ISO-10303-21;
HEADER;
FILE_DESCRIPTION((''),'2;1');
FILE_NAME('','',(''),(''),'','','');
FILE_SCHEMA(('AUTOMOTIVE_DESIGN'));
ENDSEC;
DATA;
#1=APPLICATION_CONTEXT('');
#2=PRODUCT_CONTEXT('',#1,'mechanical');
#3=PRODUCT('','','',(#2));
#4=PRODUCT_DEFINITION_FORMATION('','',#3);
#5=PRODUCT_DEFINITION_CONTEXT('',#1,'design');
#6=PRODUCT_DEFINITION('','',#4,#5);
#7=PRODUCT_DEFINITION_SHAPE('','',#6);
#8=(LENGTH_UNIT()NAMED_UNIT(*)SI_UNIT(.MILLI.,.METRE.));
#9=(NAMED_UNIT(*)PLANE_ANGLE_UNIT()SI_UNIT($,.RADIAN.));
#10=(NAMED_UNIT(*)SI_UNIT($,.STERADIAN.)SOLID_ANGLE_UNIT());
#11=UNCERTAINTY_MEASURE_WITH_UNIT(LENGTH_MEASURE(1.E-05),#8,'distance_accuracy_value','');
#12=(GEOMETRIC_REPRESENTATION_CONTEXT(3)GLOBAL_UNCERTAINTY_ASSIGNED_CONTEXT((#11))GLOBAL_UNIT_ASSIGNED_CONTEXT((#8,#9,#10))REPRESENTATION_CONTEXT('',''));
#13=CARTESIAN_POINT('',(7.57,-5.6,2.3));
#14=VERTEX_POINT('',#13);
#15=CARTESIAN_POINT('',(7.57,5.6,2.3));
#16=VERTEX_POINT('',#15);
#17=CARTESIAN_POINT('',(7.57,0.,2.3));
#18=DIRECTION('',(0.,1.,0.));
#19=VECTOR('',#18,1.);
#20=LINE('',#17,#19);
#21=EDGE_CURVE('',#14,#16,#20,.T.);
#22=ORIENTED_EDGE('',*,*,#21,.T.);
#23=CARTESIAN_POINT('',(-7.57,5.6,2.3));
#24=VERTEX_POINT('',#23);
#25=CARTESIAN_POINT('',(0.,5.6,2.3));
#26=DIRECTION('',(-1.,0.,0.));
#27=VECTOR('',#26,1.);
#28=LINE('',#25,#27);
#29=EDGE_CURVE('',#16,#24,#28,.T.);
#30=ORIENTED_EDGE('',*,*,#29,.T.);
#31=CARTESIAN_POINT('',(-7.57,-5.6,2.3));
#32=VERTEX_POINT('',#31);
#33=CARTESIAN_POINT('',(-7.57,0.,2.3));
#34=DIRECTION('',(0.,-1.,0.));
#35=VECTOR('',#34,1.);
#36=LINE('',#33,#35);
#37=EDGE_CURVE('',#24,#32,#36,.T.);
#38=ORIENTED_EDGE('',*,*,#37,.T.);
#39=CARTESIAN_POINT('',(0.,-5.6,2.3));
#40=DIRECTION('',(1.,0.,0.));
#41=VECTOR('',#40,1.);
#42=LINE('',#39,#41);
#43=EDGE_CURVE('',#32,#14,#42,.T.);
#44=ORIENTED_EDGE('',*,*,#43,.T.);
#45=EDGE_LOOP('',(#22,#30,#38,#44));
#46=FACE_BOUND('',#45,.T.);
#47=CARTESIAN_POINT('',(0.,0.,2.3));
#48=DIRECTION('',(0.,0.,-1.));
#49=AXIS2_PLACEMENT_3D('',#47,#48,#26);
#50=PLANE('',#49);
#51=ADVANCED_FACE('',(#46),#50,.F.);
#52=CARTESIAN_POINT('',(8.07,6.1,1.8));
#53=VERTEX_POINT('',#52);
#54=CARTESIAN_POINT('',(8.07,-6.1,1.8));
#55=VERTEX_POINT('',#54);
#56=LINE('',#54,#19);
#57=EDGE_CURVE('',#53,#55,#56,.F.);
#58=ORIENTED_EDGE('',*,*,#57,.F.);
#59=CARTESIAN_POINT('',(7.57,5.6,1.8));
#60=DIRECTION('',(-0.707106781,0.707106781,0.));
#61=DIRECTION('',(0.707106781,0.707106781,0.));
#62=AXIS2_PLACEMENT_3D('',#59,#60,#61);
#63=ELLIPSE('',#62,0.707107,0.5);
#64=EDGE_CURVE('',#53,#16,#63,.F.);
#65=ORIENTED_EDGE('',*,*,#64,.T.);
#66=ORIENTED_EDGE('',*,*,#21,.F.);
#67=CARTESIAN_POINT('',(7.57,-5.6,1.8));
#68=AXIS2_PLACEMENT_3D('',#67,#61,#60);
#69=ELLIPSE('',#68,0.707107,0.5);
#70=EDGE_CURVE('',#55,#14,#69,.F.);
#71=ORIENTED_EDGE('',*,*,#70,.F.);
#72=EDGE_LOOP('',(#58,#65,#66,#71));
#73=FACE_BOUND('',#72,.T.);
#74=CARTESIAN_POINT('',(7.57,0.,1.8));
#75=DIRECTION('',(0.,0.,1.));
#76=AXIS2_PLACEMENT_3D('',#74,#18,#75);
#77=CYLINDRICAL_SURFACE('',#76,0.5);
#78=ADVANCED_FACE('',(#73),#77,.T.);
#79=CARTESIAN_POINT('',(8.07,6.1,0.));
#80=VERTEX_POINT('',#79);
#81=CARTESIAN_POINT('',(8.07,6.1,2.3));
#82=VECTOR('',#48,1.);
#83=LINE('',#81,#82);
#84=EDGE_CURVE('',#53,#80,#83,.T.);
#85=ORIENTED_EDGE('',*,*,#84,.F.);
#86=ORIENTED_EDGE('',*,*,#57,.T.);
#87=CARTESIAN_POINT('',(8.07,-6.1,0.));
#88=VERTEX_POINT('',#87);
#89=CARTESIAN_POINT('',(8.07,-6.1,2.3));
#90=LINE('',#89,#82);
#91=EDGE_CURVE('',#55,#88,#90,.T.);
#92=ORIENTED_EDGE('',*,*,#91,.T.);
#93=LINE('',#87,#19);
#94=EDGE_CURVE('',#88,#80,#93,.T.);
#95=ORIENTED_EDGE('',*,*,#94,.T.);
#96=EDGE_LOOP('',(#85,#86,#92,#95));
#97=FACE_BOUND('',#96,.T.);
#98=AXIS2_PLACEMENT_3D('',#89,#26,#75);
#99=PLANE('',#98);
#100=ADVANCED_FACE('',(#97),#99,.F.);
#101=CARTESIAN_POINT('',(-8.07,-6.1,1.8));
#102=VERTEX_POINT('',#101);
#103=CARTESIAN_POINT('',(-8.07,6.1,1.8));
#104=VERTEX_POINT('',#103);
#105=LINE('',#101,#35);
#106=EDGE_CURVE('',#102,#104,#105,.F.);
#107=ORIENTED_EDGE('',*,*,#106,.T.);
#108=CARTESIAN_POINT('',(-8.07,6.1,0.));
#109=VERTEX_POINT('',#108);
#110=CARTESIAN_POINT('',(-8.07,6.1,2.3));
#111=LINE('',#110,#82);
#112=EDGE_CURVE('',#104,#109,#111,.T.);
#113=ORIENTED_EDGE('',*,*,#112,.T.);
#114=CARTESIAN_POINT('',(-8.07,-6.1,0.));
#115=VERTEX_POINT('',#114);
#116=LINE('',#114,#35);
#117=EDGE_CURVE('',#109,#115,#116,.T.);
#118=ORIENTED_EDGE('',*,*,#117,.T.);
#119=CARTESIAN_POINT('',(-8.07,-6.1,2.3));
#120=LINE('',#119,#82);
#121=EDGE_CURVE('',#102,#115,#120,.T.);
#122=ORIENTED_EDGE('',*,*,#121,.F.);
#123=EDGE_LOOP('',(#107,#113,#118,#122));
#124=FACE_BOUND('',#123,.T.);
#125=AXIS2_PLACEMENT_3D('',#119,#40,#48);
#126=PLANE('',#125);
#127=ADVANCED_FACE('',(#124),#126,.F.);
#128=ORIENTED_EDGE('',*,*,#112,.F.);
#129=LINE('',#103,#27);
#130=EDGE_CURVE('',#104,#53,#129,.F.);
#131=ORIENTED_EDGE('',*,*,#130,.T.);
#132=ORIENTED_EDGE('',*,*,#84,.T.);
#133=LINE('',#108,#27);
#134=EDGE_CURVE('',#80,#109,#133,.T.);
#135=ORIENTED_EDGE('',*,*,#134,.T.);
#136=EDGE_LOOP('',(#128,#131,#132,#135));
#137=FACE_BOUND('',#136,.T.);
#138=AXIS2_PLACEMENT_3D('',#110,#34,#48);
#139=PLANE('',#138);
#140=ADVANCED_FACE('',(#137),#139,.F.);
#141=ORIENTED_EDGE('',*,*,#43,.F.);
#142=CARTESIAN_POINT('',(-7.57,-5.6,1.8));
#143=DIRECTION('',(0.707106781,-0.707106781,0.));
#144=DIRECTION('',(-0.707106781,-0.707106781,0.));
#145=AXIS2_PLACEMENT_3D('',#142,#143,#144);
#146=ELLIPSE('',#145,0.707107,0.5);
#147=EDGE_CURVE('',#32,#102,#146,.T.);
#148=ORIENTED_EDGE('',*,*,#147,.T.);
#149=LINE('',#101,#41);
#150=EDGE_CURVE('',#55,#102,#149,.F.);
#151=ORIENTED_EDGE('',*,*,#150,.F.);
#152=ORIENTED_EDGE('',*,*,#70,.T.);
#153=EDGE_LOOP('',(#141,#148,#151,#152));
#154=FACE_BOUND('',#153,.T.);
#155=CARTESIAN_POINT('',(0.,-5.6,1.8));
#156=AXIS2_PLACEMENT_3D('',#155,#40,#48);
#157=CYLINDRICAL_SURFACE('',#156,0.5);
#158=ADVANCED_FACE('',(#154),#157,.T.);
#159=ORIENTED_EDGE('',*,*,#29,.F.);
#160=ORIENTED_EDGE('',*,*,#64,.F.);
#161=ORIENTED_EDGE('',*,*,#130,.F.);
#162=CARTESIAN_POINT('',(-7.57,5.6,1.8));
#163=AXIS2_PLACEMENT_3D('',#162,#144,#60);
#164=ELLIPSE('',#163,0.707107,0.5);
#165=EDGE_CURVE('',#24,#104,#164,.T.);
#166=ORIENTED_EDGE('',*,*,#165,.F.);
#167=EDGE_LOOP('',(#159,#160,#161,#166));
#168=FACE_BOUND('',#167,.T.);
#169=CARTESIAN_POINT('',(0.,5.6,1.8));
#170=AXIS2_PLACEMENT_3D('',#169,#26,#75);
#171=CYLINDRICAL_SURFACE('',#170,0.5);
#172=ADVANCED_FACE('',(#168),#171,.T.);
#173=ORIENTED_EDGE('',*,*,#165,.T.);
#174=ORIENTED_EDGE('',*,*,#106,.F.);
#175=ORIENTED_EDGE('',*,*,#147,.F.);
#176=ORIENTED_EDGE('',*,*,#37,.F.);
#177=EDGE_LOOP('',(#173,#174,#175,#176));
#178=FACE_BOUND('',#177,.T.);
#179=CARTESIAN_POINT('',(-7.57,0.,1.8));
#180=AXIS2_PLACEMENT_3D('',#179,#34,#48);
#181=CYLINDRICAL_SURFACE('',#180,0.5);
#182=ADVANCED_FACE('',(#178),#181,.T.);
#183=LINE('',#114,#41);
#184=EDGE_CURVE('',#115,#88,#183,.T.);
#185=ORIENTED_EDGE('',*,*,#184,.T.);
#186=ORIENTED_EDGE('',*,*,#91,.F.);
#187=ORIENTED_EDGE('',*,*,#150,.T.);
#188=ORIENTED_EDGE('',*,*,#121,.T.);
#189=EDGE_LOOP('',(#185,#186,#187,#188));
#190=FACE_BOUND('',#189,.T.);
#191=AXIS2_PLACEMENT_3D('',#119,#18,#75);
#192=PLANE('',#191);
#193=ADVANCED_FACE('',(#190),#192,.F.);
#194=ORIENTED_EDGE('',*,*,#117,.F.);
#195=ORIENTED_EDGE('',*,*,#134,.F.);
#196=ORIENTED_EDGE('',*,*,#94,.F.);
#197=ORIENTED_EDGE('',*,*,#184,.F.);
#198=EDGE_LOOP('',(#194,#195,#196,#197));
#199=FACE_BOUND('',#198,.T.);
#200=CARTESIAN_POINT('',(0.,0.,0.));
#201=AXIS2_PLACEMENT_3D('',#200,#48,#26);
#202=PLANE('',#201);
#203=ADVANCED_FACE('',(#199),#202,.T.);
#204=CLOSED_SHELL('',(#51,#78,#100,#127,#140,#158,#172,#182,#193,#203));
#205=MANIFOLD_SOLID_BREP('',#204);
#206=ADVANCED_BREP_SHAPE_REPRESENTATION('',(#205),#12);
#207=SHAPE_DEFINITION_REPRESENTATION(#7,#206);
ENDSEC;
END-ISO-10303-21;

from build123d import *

# Parameters (mm, degrees)
SKETCH_1_W      = 16.14
SKETCH_1_H      = 12.2
EXTRUDE_1_DEPTH = 2.3
FILLET_1_R      = 0.5


with BuildPart() as part:
    # Эскиз1 → Бобышка-Вытянуть1 (new body)
    with BuildSketch(Plane.XY):
        Rectangle(SKETCH_1_W, SKETCH_1_H)
    extrude(amount=EXTRUDE_1_DEPTH)

    # Скругление1
    fillet_1_edges = [part.edges().sort_by_distance(p)[0] for p in [
        (-8.07, 0, 2.3),
        (0, -6.1, 2.3),
        (8.07, 0, 2.3),
        (0, 6.1, 2.3),
    ]]
    fillet(fillet_1_edges, radius=FILLET_1_R)


solid = part.part
